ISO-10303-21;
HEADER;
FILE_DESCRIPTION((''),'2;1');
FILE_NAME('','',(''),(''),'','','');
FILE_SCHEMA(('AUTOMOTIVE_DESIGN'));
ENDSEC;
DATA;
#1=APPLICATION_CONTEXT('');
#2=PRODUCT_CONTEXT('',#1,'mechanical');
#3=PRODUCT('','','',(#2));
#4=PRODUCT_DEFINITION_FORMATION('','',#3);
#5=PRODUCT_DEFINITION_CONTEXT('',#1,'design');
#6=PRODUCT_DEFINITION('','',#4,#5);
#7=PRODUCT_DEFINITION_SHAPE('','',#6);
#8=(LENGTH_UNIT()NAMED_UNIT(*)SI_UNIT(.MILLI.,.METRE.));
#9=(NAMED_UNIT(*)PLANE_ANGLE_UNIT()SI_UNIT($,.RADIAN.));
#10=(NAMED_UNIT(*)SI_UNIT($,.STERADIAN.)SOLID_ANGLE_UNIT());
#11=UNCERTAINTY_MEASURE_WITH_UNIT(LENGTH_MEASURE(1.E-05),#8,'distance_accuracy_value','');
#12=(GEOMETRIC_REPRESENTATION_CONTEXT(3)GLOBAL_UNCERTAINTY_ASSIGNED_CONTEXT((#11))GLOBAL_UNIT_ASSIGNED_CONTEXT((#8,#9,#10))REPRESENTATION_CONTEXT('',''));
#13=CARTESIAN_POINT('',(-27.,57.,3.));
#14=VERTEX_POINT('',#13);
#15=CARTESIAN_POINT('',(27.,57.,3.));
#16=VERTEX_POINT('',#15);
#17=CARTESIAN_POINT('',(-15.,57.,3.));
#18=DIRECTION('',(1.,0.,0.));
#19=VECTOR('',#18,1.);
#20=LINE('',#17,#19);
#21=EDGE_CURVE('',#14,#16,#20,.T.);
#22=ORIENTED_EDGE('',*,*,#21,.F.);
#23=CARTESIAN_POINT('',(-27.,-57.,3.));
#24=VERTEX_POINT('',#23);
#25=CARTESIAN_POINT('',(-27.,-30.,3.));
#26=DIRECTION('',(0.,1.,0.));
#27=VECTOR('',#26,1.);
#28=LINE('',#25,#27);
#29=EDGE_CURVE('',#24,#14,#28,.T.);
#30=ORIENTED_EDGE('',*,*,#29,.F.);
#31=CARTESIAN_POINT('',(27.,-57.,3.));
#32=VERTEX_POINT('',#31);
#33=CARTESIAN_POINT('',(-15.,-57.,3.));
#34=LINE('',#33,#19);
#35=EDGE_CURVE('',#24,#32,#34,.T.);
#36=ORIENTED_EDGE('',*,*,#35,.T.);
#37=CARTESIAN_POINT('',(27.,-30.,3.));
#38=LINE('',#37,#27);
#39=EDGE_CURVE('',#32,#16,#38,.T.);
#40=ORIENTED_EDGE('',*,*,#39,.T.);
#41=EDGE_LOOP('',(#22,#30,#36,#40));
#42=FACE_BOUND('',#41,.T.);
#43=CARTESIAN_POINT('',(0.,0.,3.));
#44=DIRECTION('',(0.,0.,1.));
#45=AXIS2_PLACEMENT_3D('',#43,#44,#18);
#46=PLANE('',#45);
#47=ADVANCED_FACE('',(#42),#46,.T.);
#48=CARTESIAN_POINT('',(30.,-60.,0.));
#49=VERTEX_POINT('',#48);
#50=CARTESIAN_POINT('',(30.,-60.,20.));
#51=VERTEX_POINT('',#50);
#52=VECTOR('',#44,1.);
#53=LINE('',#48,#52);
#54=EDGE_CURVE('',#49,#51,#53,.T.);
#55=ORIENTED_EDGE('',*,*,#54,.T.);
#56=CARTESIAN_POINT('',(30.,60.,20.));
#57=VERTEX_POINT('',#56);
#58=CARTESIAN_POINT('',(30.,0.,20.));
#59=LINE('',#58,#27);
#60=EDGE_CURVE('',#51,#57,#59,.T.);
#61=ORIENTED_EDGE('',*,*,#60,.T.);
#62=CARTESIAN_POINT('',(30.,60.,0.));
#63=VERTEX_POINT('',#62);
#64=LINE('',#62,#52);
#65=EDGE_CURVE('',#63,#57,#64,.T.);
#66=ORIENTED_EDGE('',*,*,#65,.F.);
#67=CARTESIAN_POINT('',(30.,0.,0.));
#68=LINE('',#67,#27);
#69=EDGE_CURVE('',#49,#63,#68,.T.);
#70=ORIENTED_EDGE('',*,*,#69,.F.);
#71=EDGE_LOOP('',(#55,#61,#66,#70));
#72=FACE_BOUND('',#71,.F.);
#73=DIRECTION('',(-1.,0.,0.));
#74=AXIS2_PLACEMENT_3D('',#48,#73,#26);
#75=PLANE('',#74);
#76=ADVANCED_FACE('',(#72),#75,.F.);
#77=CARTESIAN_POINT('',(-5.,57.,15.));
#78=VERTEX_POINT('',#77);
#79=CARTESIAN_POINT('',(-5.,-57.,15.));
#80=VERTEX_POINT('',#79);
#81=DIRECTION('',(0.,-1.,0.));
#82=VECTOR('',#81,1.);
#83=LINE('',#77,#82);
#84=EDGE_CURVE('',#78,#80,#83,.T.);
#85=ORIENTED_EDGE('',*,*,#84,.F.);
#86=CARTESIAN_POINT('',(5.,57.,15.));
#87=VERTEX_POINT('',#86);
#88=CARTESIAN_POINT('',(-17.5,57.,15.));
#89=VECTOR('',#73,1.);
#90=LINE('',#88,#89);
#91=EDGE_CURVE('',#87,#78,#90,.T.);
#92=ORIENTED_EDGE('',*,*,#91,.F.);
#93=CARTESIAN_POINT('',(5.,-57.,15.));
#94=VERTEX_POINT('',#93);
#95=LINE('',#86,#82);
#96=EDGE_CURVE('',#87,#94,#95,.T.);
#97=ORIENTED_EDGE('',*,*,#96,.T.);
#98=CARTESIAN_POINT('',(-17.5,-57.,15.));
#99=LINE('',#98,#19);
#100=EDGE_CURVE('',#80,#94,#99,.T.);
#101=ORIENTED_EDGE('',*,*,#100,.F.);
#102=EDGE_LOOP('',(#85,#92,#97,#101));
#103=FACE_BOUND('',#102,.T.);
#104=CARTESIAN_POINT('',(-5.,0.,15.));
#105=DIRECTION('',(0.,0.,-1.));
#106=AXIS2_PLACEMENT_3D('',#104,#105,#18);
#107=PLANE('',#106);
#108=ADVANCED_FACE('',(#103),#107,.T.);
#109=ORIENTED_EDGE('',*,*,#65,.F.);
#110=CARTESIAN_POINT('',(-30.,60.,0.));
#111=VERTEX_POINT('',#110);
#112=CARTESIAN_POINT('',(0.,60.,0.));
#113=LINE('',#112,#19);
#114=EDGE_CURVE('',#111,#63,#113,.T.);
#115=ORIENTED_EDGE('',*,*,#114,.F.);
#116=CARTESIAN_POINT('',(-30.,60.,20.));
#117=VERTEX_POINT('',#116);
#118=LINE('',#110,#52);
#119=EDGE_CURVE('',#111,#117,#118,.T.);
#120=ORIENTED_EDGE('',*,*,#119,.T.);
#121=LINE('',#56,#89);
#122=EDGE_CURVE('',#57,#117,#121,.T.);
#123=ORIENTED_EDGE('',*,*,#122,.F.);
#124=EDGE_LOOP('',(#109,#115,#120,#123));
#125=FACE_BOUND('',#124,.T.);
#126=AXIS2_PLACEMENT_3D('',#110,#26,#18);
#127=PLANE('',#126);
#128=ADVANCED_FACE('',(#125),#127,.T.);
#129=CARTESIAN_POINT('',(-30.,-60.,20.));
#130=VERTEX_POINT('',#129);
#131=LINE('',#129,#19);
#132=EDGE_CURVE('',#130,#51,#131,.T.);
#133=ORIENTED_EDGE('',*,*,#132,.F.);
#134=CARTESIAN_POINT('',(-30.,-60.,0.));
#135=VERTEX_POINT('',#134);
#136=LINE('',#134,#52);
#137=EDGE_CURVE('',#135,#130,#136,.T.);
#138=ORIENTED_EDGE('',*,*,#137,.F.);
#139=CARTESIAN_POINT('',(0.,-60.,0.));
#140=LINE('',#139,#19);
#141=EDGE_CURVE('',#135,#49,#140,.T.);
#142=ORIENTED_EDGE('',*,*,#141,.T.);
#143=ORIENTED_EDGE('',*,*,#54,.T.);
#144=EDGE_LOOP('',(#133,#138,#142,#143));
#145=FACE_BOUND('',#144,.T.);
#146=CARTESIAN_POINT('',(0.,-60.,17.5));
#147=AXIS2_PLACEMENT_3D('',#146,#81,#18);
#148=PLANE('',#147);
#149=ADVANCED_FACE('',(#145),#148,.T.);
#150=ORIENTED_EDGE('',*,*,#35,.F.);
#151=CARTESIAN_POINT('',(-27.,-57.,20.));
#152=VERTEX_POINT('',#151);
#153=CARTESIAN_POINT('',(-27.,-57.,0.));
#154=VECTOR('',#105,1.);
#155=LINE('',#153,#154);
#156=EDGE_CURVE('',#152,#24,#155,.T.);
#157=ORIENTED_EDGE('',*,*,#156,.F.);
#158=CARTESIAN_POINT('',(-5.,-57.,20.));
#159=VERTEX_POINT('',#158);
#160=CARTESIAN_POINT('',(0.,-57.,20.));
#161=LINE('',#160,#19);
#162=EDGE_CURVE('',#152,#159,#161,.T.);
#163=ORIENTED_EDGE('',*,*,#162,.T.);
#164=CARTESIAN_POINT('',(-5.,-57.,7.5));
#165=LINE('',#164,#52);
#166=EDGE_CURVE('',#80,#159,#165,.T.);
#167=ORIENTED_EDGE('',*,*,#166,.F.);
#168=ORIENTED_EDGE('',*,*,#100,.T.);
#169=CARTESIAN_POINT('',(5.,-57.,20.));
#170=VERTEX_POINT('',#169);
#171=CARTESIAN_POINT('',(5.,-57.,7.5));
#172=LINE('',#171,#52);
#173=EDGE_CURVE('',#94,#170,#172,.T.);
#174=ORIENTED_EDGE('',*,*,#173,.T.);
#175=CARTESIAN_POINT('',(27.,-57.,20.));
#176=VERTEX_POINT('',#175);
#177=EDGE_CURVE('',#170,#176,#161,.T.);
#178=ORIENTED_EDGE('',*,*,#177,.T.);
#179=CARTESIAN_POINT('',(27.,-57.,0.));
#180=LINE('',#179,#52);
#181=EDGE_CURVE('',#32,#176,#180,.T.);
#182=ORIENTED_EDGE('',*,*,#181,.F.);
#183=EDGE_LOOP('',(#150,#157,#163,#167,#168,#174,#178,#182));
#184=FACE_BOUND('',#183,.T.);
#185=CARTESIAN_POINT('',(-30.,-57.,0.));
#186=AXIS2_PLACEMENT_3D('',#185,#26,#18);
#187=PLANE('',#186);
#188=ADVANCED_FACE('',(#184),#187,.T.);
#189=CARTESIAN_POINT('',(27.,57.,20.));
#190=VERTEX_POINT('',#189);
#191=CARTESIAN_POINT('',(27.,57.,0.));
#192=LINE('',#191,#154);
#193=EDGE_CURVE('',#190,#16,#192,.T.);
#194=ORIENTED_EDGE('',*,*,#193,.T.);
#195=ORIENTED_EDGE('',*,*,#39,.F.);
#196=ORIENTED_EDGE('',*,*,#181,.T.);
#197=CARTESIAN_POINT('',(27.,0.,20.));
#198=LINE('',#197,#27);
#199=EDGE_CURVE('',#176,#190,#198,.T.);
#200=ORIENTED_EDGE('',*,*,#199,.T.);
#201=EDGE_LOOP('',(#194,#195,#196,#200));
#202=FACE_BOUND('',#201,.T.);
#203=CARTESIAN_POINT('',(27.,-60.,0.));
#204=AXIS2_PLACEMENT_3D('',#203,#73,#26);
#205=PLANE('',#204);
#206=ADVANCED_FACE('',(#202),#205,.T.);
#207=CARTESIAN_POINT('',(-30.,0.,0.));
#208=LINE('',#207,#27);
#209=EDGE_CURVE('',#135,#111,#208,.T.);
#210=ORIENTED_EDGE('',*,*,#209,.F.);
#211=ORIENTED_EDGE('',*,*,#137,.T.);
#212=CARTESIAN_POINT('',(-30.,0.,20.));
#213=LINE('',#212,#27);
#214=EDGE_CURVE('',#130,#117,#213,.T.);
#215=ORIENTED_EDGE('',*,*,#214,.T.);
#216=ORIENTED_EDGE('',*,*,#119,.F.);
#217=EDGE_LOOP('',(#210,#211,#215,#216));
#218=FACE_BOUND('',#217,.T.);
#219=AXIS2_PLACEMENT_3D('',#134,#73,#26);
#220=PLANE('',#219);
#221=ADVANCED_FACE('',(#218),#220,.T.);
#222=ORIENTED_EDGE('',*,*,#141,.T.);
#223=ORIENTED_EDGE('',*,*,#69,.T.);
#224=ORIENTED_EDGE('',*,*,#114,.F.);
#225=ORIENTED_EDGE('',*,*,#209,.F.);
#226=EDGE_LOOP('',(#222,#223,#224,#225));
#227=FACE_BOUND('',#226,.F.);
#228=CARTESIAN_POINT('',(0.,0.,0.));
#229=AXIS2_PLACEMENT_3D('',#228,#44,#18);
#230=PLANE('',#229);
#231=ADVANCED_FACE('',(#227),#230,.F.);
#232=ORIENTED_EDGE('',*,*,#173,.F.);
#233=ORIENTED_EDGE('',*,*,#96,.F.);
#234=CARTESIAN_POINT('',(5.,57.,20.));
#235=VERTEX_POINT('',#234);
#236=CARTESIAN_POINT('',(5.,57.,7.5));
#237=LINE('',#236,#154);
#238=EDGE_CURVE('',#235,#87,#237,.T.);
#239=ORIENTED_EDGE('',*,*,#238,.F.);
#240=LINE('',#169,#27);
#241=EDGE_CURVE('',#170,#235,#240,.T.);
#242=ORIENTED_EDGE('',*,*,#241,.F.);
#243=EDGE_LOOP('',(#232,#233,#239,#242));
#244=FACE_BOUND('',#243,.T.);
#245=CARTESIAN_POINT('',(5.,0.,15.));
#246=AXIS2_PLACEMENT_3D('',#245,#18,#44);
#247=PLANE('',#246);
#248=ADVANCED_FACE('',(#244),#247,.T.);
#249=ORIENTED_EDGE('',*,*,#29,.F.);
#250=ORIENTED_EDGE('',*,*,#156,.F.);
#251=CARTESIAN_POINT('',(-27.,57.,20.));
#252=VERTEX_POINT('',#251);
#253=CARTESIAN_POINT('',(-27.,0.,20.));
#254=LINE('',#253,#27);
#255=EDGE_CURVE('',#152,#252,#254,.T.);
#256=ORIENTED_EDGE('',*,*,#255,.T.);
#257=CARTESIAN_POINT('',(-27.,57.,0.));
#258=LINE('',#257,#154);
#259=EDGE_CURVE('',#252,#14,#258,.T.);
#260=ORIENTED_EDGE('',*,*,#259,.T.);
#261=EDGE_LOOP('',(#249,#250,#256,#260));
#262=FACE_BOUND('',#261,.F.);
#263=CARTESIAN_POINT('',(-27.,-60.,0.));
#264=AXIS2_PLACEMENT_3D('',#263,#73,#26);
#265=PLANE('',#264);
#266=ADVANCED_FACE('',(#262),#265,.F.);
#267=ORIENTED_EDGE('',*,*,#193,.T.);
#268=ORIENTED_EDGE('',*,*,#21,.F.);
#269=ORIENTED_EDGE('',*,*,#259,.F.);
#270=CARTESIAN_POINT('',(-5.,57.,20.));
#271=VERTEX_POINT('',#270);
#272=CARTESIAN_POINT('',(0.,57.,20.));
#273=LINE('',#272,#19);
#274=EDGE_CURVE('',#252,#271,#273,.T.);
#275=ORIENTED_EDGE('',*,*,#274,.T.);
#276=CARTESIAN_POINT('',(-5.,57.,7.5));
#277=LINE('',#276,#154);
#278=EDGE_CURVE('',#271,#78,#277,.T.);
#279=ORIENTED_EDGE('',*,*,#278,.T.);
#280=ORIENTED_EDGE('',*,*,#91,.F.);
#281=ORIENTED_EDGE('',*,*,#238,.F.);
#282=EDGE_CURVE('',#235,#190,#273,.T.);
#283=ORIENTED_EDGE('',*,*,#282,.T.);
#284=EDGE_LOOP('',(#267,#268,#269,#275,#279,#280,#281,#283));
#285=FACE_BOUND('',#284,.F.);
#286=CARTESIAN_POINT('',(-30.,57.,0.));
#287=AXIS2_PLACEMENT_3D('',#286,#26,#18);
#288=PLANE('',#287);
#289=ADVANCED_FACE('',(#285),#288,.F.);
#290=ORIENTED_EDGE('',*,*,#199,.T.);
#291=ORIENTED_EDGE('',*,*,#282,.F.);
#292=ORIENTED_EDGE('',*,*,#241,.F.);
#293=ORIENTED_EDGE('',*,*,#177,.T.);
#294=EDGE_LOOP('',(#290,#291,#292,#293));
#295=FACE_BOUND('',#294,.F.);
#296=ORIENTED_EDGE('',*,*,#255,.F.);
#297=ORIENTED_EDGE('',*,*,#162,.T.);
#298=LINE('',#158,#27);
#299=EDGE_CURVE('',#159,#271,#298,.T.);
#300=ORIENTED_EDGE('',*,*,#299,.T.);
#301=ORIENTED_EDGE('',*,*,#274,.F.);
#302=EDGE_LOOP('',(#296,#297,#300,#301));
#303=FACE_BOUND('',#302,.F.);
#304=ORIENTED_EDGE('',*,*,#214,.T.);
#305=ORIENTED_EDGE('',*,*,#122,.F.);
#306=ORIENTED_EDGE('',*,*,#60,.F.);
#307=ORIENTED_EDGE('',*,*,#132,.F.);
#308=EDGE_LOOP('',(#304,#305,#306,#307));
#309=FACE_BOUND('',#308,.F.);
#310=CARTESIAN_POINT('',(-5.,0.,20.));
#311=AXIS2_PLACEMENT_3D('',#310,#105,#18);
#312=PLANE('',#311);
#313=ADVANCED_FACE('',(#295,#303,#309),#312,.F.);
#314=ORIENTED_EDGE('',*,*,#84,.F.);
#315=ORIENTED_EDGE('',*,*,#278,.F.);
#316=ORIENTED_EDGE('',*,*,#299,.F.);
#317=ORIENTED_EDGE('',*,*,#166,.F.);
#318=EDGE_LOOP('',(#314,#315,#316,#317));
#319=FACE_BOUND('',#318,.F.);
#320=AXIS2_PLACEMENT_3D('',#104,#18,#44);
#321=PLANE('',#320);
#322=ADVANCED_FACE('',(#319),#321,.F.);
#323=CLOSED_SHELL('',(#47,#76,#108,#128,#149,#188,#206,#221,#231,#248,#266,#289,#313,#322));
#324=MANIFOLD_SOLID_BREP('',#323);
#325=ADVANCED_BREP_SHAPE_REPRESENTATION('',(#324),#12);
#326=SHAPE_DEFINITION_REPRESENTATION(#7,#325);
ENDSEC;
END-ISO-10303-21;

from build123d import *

# Parameters (mm, degrees)
F0_W     = 60
F0_H     = 120
F1_DEPTH = 20
F2_T     = -3
F3_W     = 10
F3_H     = 5
F4_DEPTH = 60
F5_DEPTH = 60


with BuildPart() as f1:
    # F0 (on Top) → F1 (new body)
    with BuildSketch(Plane.XY):
        Rectangle(F0_W, F0_H)
    extrude(amount=F1_DEPTH)

    # F2
    f2_openings = [f1.faces().sort_by_distance(p)[0] for p in [
        (0, 0, 20),
    ]]
    offset(amount=F2_T, openings=f2_openings)

    # F3 (on Front) → F4 (join)
    with BuildSketch(Plane.XZ):
        with Locations((0, 17.5)):
            Rectangle(F3_W, F3_H)
    extrude(amount=F4_DEPTH)

    # F3 (on Front) → F5 (join)
    with BuildSketch(Plane.XZ):
        with Locations((0, 17.5)):
            Rectangle(F3_W, F3_H)
    extrude(amount=-F5_DEPTH)


solid = f1.part
